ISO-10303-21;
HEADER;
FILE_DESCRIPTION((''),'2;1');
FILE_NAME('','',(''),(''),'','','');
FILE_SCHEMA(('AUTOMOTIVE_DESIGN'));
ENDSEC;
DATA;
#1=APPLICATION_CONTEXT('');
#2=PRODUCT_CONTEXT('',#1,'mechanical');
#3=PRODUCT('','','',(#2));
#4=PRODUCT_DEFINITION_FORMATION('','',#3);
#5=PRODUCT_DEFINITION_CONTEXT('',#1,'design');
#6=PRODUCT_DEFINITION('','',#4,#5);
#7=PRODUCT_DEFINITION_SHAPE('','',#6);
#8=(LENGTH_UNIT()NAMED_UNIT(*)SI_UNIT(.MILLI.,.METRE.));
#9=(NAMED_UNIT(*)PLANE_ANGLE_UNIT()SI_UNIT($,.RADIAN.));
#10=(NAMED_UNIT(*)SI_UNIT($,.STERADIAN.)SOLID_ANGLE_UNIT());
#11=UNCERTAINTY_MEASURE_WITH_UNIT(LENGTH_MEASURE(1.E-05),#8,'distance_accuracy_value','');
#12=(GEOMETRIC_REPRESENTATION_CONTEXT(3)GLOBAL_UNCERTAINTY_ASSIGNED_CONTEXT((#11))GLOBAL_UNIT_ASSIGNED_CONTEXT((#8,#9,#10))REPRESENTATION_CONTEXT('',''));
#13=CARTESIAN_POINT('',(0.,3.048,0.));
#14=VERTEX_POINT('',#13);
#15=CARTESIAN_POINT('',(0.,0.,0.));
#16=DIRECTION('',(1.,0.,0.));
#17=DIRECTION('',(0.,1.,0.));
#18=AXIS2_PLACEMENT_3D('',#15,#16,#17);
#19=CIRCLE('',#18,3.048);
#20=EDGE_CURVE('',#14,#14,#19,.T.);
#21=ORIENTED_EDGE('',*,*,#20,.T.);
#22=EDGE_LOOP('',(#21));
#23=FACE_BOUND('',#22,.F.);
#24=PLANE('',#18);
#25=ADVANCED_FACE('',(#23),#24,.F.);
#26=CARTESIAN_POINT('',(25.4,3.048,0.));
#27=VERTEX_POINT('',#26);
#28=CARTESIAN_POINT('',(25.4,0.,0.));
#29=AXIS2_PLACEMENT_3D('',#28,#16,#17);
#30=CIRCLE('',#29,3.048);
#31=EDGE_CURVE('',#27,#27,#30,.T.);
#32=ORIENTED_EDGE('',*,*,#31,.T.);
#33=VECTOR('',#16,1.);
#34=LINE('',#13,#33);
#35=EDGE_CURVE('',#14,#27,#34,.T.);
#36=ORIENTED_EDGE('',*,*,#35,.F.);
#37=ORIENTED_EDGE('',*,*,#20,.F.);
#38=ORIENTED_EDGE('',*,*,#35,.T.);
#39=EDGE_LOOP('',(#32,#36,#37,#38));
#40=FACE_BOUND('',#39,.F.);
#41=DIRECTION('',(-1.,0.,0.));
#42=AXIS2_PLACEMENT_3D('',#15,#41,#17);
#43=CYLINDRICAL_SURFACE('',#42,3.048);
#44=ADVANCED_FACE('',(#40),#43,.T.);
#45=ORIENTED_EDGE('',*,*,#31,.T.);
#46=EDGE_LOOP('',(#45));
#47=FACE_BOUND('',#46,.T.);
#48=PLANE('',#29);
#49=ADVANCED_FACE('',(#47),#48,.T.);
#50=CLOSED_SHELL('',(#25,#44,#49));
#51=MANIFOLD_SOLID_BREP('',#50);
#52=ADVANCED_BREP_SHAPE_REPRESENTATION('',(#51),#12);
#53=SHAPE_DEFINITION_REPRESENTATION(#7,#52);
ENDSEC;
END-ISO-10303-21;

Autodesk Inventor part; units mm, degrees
ref_plane "YZ Plane" through (0, 0, 0) normal (1, 0, 0) x (0, 1, 0)
ref_plane "XZ Plane" through (0, 0, 0) normal (0, 1, 0) x (-1, 0, 0)
ref_plane "XY Plane" through (0, 0, 0) normal (0, 0, 1) x (1, 0, 0)
sketch "Sketch1" plane through (0, 0, 0) normal (1, 0, 0) x (0, 1, 0)
  circle A0 centre (0, 0) radius 3.048
  dimension "d0" = 6.096
extrude "Extrusion1" add sketch "Sketch1" along normal blind 25.4
properties part number "shaft 6x24-2"
